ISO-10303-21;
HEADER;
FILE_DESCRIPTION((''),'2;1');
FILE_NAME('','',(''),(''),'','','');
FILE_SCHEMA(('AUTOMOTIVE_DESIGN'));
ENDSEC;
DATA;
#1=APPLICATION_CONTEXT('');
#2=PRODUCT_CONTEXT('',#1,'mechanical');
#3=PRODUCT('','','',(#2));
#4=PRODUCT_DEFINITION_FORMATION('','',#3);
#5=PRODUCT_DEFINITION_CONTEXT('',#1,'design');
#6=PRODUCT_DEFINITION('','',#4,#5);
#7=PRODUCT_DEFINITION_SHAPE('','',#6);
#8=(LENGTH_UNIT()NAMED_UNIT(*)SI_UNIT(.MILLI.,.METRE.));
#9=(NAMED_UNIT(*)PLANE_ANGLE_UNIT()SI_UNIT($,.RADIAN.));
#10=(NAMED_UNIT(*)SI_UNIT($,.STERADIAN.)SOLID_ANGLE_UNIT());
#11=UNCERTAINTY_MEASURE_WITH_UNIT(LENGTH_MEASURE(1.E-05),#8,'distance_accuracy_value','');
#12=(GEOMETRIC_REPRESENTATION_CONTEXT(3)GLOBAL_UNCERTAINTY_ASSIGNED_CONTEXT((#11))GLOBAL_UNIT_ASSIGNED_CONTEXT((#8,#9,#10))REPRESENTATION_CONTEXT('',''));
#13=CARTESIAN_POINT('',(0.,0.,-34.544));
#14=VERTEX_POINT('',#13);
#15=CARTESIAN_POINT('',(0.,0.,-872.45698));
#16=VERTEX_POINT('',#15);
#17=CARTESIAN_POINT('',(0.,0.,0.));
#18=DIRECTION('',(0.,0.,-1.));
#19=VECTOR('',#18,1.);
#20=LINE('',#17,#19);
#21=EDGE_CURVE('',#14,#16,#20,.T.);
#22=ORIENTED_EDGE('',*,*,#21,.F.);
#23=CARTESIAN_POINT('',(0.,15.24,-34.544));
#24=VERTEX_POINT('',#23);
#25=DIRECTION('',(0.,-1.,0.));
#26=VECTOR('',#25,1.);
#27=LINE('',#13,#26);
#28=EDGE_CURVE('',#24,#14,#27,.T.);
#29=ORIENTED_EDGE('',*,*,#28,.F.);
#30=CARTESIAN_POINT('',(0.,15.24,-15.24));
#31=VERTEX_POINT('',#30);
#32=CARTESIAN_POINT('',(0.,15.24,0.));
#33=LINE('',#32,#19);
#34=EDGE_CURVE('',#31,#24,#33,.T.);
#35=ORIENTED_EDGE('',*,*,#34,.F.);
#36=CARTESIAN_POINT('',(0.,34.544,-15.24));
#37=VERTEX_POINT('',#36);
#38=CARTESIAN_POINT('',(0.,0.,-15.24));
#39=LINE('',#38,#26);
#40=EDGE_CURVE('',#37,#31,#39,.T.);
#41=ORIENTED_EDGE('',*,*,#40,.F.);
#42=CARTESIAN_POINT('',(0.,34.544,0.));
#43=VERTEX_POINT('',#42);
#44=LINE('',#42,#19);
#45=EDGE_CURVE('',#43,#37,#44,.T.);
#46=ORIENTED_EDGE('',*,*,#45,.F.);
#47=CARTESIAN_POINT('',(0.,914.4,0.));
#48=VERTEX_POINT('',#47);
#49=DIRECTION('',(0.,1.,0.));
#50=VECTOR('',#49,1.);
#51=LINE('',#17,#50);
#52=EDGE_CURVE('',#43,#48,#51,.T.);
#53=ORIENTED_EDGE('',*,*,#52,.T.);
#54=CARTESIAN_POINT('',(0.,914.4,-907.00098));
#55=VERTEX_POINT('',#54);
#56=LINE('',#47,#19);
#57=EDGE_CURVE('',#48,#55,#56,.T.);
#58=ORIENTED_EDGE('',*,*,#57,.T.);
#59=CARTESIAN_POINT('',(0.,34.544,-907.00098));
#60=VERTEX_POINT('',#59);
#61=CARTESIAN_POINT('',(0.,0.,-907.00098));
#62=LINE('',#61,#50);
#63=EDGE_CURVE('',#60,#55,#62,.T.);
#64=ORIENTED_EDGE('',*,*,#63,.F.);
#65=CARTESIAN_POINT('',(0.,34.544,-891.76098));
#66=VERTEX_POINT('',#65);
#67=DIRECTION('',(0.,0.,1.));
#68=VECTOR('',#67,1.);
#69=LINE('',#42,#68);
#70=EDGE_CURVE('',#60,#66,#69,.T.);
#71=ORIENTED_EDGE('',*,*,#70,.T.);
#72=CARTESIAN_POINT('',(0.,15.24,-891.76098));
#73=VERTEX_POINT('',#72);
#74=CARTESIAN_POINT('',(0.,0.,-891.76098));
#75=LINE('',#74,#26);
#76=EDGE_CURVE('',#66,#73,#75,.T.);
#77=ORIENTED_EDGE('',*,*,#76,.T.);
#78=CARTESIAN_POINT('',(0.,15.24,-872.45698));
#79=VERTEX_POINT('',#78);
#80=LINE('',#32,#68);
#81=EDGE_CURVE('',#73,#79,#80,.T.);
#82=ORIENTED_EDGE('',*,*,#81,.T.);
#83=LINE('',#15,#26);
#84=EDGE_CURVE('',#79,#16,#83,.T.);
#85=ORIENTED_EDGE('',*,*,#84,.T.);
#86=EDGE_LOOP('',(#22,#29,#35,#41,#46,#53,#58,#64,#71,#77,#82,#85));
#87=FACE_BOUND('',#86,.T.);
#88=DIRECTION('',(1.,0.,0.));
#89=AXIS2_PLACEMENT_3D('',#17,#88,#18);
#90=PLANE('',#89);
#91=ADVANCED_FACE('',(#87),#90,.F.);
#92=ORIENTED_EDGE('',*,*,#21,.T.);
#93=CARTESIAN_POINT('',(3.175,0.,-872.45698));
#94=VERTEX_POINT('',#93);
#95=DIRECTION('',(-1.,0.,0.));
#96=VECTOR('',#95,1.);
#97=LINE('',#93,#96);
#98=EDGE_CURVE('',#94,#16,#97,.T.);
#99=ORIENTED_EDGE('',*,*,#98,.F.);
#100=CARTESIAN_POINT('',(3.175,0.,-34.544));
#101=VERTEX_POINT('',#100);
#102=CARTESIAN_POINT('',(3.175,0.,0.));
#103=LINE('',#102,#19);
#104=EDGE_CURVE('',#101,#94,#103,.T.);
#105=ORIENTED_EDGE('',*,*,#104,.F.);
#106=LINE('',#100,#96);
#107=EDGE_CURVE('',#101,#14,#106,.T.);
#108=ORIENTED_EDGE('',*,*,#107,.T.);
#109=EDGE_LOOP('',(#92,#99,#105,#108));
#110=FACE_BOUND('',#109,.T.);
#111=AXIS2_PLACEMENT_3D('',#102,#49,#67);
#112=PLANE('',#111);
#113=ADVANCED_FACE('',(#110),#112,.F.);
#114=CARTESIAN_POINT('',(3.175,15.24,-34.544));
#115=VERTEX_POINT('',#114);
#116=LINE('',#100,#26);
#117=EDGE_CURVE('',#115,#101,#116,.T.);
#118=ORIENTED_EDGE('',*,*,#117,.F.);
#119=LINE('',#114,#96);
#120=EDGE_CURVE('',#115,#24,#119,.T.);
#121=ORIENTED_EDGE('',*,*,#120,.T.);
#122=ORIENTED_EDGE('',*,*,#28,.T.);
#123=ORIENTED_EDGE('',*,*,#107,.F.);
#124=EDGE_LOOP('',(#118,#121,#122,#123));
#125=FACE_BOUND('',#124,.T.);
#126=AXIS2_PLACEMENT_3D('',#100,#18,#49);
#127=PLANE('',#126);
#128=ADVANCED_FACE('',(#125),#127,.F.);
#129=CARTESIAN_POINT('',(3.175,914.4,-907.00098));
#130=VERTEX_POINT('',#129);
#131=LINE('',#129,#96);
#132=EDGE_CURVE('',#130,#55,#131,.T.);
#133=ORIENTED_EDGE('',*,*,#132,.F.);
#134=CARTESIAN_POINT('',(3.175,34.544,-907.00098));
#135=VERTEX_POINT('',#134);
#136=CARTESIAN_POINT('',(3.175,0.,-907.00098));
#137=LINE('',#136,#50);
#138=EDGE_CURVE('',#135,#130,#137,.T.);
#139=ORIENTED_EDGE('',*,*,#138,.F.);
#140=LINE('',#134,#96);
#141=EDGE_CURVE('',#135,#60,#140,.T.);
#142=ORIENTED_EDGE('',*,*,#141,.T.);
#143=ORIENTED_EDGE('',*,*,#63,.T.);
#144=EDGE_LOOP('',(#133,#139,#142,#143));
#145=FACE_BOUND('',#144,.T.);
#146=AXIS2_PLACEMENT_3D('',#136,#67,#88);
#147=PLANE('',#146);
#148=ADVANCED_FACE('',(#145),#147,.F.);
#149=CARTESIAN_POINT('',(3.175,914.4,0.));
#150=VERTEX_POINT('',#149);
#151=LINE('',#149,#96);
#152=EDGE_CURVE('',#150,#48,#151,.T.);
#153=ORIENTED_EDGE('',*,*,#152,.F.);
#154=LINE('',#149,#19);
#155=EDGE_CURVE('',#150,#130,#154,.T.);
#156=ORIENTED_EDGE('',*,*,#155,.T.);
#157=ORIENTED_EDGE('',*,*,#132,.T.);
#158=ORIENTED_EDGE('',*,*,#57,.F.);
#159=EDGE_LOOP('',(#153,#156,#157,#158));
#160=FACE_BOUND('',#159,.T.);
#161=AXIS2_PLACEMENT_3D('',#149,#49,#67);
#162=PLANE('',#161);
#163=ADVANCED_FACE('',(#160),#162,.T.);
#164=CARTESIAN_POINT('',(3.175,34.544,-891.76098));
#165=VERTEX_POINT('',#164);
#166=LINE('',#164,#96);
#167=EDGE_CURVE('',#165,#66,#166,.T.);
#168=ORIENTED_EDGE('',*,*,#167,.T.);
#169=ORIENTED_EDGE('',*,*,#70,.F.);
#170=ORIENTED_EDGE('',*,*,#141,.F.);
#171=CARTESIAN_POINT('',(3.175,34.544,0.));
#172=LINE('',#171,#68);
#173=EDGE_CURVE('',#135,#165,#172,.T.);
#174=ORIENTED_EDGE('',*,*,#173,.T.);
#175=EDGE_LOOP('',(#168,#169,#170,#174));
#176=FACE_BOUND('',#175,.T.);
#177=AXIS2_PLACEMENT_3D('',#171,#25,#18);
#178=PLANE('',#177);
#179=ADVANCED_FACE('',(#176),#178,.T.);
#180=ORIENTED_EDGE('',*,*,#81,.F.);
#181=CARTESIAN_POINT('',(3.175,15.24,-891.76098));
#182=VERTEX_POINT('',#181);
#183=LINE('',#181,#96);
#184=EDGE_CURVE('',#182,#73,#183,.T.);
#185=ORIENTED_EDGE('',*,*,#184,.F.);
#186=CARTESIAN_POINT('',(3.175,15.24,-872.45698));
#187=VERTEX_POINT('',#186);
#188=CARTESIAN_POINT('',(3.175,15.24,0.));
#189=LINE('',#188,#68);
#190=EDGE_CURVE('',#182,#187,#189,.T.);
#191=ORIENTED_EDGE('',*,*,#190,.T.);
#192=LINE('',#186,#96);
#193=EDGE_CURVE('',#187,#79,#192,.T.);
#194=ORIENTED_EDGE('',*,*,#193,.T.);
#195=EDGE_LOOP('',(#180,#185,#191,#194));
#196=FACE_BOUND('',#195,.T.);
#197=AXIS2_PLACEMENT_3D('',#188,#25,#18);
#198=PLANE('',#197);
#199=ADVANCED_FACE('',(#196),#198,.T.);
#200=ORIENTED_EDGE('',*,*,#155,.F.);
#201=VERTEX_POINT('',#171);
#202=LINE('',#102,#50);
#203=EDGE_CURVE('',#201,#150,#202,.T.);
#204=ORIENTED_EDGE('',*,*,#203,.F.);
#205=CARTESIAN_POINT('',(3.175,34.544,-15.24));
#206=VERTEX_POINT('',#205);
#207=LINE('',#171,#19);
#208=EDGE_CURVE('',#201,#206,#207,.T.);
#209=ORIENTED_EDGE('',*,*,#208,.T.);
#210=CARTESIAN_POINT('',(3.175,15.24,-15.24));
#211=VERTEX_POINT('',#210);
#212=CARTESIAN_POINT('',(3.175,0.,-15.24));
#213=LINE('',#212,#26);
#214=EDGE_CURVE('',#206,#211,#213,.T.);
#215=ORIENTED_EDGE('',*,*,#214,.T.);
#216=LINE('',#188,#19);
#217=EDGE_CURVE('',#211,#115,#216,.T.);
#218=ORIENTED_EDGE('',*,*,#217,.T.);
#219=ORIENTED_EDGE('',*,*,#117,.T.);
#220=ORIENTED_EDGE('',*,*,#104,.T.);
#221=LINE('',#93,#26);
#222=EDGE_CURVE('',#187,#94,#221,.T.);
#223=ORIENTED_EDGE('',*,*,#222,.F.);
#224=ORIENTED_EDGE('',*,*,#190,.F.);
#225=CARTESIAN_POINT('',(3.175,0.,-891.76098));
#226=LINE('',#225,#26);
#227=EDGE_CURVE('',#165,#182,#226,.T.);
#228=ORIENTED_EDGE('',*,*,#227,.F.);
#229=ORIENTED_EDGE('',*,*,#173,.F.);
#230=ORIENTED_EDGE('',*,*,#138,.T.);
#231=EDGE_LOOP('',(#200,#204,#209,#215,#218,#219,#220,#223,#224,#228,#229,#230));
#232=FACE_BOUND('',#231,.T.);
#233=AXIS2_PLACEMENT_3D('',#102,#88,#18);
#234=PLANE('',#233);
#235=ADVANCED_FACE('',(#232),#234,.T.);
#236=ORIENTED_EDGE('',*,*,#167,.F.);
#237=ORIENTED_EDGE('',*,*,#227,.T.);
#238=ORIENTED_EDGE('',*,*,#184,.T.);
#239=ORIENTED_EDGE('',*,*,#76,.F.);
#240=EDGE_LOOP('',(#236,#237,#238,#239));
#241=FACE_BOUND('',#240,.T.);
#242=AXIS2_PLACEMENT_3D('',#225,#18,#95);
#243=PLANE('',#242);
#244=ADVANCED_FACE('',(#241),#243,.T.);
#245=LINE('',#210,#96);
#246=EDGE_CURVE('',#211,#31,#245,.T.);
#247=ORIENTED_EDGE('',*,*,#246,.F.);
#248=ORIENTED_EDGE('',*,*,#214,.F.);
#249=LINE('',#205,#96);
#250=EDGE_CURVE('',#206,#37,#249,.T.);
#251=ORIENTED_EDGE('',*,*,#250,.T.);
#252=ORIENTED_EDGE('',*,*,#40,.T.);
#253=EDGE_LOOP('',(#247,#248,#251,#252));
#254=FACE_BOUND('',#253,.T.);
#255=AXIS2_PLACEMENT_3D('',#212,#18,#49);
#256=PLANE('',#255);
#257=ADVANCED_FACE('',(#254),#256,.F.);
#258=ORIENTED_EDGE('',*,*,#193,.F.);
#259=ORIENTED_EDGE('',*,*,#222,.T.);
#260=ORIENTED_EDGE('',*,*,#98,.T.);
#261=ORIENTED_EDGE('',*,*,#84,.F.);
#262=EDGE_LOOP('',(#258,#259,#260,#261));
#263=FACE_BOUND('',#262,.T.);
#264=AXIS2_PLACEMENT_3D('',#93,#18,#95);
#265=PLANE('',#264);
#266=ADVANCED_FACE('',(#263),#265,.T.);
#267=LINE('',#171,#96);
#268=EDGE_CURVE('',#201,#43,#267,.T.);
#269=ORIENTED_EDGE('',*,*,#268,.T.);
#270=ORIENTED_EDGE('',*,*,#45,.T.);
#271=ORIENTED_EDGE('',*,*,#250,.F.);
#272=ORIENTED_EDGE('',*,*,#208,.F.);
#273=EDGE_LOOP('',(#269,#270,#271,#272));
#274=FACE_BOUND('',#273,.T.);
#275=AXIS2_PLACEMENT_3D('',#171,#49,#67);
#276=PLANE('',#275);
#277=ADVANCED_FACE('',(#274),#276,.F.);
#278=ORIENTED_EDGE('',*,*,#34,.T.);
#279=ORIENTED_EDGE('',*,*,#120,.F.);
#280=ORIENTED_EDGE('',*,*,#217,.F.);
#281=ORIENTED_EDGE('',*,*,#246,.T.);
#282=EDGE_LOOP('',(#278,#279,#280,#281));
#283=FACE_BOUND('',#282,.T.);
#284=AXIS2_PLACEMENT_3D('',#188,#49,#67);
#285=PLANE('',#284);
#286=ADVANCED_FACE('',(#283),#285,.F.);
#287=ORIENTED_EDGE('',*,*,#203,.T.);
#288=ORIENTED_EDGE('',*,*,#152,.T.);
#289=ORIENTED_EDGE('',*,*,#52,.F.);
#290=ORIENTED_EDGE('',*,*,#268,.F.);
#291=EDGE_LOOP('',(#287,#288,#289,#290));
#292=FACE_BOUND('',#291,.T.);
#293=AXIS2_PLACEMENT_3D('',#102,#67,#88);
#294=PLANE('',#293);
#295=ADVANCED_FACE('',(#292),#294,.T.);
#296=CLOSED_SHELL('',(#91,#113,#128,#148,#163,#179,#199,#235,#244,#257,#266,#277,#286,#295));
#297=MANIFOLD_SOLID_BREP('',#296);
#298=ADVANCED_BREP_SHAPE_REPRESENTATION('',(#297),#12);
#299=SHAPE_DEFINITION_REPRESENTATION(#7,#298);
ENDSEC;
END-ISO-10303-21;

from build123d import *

# Parameters (mm, degrees)
BOSS_EXTRUDE4_DEPTH = 3.175


with BuildPart() as part:
    # Sketch2 → Boss-Extrude4 (new body)
    with BuildSketch(Plane(origin=(0, 0, 0), x_dir=(0, 0, -1), z_dir=(1, 0, 0))):
        Polygon((891.76098, 34.544), (907.00098, 34.544), (907.00098, 914.4), (0, 914.4), (0, 34.544), (15.24, 34.544), (15.24, 15.24), (34.544, 15.24), (34.544, 0), (872.45698, 0), (872.45698, 15.24), (891.76098, 15.24), align=None)
    extrude(amount=BOSS_EXTRUDE4_DEPTH)


solid = part.part
